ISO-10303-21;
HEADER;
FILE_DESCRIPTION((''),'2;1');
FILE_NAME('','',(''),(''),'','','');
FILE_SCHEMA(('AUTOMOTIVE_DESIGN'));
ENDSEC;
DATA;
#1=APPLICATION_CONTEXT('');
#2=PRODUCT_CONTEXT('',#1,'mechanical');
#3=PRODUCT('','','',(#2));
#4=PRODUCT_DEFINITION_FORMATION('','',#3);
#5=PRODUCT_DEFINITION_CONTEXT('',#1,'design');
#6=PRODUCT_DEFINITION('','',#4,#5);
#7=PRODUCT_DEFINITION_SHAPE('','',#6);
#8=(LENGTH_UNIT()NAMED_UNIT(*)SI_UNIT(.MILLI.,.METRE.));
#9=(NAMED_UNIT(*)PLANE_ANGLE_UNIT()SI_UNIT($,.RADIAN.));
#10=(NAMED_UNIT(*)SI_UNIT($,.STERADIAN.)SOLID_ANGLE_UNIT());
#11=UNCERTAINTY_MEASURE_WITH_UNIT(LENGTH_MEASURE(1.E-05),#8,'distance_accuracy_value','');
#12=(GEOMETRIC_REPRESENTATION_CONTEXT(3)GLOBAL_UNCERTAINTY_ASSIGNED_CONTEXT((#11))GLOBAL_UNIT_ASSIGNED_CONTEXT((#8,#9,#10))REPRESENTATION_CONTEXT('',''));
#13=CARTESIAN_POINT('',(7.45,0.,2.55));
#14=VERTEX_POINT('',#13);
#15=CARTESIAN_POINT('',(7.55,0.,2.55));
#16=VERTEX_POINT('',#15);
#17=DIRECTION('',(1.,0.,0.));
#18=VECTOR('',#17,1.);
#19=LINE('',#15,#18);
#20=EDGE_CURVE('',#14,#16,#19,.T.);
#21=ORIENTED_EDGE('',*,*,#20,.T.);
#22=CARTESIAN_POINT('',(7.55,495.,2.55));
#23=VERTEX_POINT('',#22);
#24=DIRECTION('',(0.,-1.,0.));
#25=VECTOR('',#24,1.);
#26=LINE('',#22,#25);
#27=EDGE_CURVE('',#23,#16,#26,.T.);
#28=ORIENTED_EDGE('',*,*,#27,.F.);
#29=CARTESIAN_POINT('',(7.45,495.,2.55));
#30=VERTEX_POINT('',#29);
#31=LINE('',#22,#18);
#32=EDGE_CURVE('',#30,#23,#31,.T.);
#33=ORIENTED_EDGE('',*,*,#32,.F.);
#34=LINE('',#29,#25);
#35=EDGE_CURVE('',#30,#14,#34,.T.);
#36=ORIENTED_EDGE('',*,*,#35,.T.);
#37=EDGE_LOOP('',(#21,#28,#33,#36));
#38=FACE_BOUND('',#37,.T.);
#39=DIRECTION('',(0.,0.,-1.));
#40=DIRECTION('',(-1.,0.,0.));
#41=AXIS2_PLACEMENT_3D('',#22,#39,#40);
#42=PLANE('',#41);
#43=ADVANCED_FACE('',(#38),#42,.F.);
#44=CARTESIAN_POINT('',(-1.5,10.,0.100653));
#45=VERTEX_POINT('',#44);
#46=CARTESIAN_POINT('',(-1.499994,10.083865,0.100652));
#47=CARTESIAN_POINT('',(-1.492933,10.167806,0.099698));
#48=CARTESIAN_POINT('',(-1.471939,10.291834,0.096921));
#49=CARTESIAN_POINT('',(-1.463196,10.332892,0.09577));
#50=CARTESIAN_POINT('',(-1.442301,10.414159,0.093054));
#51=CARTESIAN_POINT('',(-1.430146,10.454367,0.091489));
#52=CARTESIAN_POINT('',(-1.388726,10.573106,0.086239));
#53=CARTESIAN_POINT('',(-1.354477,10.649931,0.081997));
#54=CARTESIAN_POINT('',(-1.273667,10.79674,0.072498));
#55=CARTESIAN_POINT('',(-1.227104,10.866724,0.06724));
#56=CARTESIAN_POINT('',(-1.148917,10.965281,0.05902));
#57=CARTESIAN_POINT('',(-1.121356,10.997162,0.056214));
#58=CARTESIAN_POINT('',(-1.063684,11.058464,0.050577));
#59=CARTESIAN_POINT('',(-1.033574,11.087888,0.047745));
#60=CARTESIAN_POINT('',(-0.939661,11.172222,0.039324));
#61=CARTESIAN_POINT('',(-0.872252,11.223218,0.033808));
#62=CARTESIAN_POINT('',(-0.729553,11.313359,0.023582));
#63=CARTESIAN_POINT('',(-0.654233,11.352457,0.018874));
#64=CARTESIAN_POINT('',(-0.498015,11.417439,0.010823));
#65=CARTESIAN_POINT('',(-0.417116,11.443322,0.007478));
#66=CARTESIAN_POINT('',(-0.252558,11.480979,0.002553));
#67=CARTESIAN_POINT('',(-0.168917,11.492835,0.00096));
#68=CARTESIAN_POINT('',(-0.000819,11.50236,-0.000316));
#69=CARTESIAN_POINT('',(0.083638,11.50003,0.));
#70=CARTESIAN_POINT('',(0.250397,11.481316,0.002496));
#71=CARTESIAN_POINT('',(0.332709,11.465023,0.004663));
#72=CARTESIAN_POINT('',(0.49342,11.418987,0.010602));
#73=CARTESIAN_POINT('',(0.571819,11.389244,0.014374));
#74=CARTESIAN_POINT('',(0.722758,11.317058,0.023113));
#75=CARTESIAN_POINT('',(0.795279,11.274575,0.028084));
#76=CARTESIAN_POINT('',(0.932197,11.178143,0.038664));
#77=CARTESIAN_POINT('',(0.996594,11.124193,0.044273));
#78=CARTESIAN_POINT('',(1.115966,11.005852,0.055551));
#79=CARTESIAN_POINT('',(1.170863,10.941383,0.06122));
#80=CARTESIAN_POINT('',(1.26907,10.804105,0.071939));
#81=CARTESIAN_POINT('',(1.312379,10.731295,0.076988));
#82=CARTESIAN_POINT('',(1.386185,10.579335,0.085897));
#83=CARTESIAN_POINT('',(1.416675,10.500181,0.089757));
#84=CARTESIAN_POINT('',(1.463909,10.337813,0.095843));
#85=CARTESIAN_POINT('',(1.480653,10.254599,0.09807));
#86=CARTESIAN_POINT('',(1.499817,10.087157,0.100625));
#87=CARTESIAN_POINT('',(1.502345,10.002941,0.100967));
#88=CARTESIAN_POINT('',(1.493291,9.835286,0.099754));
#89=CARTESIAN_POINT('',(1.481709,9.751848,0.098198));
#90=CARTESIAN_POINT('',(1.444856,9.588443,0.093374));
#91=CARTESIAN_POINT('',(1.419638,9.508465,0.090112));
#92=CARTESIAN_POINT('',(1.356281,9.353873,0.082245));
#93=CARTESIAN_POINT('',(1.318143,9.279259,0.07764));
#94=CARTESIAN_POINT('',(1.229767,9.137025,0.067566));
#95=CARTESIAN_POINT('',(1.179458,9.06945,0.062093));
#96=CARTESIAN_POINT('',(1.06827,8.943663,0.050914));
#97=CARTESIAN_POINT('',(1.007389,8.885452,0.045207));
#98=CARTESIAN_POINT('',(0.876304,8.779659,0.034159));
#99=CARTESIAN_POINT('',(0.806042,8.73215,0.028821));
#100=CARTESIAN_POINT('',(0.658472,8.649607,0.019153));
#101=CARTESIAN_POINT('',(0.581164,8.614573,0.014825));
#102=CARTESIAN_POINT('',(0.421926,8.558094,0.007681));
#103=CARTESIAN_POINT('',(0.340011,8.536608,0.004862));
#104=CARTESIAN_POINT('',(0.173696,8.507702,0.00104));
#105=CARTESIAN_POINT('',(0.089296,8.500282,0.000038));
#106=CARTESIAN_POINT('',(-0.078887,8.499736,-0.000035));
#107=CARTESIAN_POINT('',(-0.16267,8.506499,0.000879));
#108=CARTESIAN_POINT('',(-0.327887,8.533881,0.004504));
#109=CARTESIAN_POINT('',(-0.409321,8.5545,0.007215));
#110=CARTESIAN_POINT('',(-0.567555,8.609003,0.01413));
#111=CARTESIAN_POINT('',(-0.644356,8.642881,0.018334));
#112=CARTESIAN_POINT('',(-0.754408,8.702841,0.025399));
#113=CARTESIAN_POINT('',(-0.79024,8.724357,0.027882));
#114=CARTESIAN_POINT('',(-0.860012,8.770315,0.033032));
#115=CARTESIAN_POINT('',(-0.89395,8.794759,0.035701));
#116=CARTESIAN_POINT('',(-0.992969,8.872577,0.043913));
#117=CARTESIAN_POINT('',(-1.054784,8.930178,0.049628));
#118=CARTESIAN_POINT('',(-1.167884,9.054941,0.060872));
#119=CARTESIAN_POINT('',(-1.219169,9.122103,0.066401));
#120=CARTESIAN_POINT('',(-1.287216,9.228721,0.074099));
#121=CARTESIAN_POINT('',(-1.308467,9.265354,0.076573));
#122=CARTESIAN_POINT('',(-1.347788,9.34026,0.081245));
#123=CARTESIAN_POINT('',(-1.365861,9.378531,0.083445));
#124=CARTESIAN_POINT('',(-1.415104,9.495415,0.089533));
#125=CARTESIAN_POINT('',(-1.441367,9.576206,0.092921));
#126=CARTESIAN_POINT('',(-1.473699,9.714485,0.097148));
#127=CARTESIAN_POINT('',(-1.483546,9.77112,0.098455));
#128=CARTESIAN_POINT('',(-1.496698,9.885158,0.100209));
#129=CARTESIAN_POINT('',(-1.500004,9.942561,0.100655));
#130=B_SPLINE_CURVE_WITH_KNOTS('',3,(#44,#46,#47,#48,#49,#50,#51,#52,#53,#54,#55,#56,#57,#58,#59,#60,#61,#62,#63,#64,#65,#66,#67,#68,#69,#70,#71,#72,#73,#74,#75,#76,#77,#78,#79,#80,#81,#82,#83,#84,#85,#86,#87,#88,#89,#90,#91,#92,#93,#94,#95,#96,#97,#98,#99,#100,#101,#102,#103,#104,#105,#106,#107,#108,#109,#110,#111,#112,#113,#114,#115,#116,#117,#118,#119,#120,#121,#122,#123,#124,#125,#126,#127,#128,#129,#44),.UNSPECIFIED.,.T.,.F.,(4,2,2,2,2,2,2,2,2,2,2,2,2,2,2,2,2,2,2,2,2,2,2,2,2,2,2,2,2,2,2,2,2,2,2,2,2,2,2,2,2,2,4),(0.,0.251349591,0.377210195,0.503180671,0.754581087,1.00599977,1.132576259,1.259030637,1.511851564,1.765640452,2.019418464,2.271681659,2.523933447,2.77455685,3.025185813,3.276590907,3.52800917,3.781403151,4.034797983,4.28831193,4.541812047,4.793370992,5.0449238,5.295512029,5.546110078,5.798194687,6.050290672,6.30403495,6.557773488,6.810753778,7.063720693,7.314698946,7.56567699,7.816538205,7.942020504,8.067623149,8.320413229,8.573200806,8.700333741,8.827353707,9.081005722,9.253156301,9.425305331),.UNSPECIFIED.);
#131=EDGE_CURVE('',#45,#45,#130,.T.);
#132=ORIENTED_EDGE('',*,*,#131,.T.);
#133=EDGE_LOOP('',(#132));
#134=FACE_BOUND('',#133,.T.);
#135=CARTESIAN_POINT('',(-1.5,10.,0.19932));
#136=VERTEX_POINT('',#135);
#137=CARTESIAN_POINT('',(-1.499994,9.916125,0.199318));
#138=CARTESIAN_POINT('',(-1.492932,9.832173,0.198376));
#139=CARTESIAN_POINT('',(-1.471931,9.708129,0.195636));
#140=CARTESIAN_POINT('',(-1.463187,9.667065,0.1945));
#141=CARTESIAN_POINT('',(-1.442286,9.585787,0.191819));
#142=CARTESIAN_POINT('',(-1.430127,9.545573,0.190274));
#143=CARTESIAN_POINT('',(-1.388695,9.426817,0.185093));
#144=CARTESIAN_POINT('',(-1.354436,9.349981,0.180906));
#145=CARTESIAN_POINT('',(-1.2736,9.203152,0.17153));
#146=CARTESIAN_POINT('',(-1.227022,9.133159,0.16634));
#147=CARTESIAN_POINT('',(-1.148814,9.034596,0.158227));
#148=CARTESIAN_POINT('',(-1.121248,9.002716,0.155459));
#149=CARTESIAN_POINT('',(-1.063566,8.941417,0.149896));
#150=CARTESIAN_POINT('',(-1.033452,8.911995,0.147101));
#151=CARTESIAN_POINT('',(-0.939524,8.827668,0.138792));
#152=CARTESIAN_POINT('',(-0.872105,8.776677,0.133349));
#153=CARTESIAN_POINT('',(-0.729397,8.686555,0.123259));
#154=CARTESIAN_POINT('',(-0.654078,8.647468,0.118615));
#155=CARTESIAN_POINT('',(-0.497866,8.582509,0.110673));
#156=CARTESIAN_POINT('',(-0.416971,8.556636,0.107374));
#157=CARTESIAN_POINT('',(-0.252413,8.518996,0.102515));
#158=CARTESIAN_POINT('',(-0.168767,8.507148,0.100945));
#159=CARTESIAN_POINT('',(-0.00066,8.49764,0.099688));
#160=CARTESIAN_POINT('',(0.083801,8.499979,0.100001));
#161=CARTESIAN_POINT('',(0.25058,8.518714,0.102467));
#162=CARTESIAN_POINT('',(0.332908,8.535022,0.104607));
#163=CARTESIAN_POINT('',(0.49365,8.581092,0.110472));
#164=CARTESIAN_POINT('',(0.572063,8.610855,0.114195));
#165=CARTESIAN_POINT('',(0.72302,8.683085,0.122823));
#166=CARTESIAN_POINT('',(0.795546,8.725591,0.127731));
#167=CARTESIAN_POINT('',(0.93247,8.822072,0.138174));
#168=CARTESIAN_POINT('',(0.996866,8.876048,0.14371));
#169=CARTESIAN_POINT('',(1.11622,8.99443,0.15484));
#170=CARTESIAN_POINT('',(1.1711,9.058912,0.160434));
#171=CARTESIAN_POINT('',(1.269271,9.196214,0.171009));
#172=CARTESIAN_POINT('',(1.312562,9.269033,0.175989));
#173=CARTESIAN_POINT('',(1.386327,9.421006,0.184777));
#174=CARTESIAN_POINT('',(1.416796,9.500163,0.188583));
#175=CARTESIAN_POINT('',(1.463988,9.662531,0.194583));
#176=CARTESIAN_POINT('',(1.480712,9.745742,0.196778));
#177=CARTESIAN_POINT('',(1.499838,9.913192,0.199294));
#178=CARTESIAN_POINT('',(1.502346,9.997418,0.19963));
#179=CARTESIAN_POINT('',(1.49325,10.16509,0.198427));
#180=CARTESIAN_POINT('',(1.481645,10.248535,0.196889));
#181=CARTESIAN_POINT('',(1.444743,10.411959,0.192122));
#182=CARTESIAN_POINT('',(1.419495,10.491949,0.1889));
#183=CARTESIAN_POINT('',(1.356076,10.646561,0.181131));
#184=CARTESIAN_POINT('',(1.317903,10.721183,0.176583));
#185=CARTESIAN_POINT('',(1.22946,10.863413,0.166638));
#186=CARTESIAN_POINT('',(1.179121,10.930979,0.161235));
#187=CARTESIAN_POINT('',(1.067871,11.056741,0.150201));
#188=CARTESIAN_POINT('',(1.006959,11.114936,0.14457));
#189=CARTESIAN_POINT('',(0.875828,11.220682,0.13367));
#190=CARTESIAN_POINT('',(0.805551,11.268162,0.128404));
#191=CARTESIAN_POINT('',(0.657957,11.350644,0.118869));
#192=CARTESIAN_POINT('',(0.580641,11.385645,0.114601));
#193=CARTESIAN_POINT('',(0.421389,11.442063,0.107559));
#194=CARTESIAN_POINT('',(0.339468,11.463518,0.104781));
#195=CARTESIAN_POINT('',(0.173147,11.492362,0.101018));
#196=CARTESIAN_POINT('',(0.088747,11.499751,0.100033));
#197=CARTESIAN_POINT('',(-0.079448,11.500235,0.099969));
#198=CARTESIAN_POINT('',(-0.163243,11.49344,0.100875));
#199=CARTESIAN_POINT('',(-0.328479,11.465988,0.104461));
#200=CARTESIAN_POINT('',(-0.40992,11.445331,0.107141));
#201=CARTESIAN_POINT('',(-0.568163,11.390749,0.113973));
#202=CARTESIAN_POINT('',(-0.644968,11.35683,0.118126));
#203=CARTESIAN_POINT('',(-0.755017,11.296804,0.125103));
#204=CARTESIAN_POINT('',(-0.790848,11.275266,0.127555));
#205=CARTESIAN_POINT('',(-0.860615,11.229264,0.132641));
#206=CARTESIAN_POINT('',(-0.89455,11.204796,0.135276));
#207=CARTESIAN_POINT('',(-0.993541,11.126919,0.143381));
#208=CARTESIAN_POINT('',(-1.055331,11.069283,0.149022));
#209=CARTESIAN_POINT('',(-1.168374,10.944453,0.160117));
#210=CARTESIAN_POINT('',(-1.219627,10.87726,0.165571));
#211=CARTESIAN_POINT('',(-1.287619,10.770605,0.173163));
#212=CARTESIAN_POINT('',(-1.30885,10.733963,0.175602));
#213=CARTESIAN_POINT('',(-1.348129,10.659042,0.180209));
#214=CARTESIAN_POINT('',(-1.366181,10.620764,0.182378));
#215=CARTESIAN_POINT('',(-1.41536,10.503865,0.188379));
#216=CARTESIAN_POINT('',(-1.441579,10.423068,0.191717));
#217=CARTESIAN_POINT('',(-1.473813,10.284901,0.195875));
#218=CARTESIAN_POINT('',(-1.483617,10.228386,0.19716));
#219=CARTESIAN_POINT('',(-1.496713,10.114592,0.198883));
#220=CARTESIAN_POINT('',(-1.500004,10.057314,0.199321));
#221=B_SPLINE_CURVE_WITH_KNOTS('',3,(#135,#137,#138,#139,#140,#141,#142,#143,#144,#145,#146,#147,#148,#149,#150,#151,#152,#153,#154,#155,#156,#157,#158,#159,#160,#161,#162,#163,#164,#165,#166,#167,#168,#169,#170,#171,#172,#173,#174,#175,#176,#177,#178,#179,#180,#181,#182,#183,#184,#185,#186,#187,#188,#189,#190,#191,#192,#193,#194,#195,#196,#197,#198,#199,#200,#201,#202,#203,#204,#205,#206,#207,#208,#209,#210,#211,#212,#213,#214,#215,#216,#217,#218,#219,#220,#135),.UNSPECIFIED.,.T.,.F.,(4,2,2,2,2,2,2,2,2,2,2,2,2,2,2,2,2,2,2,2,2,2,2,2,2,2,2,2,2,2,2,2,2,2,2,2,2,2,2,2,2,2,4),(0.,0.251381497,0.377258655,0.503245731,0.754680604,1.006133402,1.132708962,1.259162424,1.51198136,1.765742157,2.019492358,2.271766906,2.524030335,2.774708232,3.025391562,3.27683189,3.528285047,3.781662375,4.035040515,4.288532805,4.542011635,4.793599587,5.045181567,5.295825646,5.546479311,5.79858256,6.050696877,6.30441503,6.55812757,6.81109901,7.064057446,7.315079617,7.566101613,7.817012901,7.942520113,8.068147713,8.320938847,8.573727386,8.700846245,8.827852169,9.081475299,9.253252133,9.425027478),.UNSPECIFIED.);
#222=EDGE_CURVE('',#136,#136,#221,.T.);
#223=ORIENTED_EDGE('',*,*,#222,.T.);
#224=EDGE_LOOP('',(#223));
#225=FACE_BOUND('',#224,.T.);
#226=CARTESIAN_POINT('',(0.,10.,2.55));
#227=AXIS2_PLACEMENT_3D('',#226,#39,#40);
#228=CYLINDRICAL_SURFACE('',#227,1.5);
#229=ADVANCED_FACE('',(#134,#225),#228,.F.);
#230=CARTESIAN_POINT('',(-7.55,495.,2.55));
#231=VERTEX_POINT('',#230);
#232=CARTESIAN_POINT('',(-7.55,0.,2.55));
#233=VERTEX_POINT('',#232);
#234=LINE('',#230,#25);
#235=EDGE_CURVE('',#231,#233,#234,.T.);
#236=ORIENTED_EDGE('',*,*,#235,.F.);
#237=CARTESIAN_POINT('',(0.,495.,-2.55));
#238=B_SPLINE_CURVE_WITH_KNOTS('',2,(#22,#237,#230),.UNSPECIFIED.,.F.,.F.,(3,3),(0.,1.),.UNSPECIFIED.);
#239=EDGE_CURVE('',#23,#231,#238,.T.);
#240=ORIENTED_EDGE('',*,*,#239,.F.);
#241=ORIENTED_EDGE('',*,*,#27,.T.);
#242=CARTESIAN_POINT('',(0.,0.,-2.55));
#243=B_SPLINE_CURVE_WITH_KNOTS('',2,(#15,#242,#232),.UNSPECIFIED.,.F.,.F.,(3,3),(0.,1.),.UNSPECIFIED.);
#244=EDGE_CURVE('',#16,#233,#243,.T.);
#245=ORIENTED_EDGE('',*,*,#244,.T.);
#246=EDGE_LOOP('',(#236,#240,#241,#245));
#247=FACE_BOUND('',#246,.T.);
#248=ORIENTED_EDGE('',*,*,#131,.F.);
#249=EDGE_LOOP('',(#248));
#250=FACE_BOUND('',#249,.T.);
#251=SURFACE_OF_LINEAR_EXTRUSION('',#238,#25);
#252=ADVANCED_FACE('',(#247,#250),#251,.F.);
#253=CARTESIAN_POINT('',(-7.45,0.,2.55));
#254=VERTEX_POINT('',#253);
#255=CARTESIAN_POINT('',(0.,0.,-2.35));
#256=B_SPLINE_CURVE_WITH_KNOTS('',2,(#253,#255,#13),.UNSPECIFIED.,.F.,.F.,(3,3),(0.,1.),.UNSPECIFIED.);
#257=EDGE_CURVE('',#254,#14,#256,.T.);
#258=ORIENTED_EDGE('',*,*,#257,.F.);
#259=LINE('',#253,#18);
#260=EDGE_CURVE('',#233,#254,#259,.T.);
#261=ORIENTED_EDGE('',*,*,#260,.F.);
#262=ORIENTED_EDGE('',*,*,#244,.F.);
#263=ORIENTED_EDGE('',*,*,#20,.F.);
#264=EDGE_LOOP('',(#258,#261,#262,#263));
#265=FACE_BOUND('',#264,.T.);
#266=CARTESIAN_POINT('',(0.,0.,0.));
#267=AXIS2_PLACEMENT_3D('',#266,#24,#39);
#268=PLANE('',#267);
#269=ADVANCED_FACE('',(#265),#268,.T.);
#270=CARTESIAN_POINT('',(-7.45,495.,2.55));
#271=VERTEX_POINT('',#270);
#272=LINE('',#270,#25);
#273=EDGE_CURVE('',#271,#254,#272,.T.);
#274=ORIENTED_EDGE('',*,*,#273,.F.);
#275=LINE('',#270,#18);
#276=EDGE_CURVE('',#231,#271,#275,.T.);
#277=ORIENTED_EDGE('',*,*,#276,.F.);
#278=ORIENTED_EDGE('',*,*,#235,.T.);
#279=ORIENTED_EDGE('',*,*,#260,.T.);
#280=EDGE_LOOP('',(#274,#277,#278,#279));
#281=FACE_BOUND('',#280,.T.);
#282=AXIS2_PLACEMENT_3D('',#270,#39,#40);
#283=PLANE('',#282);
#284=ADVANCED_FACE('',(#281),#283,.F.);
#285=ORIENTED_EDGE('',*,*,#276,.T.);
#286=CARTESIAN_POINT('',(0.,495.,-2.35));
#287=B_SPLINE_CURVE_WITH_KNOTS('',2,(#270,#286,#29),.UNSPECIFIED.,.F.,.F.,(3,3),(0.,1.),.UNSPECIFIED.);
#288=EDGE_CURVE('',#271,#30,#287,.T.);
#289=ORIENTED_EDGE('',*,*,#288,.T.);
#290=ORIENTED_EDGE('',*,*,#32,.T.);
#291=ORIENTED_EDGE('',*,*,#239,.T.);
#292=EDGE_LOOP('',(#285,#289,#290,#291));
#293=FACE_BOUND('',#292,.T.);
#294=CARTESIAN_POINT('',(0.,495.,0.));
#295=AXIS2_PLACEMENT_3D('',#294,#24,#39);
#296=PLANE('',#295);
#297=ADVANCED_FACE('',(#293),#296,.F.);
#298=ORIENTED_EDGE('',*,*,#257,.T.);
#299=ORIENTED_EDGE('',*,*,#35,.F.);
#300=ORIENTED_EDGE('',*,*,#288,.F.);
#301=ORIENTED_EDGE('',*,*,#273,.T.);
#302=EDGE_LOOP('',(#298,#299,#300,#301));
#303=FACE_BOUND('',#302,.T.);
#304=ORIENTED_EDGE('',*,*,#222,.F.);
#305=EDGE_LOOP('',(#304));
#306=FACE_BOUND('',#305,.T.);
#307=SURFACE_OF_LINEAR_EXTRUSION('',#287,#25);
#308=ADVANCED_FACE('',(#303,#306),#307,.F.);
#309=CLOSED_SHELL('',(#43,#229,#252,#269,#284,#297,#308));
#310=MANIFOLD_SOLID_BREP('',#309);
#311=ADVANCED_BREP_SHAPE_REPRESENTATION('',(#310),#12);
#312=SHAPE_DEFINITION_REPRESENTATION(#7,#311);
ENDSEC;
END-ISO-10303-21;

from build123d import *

# Parameters (mm, degrees)
BOSS_EXTRUDE1_DEPTH = 495
SKETCH2_R           = 1.5
CUT_EXTRUDE4_DEPTH  = 3.5500001


with BuildPart() as part:
    # Sketch1 → Boss-Extrude1 (new body)
    with BuildSketch(Plane(origin=(0, 0, 0), x_dir=(1, 0, 0), z_dir=(0, 1, 0))):
        with BuildLine():
            Line((7.55, -2.55), (7.45, -2.55))
            add(Edge.make_bspline(
                [(-7.45, -2.55), (0, 2.35), (7.45, -2.55)],
                knots=[0, 0, 0, 1, 1, 1], degree=2))
            Line((-7.45, -2.55), (-7.55, -2.55))
            add(Edge.make_bspline(
                [(7.55, -2.55), (0, 2.55), (-7.55, -2.55)],
                knots=[0, 0, 0, 1, 1, 1], degree=2))
        make_face()
    extrude(amount=BOSS_EXTRUDE1_DEPTH)

    # Sketch2 → Cut-Extrude4 (cut, through all)
    with BuildSketch(Plane.XY):
        with Locations((0, 10)):
            Circle(SKETCH2_R)
    extrude(amount=CUT_EXTRUDE4_DEPTH, mode=Mode.SUBTRACT)


solid = part.part
